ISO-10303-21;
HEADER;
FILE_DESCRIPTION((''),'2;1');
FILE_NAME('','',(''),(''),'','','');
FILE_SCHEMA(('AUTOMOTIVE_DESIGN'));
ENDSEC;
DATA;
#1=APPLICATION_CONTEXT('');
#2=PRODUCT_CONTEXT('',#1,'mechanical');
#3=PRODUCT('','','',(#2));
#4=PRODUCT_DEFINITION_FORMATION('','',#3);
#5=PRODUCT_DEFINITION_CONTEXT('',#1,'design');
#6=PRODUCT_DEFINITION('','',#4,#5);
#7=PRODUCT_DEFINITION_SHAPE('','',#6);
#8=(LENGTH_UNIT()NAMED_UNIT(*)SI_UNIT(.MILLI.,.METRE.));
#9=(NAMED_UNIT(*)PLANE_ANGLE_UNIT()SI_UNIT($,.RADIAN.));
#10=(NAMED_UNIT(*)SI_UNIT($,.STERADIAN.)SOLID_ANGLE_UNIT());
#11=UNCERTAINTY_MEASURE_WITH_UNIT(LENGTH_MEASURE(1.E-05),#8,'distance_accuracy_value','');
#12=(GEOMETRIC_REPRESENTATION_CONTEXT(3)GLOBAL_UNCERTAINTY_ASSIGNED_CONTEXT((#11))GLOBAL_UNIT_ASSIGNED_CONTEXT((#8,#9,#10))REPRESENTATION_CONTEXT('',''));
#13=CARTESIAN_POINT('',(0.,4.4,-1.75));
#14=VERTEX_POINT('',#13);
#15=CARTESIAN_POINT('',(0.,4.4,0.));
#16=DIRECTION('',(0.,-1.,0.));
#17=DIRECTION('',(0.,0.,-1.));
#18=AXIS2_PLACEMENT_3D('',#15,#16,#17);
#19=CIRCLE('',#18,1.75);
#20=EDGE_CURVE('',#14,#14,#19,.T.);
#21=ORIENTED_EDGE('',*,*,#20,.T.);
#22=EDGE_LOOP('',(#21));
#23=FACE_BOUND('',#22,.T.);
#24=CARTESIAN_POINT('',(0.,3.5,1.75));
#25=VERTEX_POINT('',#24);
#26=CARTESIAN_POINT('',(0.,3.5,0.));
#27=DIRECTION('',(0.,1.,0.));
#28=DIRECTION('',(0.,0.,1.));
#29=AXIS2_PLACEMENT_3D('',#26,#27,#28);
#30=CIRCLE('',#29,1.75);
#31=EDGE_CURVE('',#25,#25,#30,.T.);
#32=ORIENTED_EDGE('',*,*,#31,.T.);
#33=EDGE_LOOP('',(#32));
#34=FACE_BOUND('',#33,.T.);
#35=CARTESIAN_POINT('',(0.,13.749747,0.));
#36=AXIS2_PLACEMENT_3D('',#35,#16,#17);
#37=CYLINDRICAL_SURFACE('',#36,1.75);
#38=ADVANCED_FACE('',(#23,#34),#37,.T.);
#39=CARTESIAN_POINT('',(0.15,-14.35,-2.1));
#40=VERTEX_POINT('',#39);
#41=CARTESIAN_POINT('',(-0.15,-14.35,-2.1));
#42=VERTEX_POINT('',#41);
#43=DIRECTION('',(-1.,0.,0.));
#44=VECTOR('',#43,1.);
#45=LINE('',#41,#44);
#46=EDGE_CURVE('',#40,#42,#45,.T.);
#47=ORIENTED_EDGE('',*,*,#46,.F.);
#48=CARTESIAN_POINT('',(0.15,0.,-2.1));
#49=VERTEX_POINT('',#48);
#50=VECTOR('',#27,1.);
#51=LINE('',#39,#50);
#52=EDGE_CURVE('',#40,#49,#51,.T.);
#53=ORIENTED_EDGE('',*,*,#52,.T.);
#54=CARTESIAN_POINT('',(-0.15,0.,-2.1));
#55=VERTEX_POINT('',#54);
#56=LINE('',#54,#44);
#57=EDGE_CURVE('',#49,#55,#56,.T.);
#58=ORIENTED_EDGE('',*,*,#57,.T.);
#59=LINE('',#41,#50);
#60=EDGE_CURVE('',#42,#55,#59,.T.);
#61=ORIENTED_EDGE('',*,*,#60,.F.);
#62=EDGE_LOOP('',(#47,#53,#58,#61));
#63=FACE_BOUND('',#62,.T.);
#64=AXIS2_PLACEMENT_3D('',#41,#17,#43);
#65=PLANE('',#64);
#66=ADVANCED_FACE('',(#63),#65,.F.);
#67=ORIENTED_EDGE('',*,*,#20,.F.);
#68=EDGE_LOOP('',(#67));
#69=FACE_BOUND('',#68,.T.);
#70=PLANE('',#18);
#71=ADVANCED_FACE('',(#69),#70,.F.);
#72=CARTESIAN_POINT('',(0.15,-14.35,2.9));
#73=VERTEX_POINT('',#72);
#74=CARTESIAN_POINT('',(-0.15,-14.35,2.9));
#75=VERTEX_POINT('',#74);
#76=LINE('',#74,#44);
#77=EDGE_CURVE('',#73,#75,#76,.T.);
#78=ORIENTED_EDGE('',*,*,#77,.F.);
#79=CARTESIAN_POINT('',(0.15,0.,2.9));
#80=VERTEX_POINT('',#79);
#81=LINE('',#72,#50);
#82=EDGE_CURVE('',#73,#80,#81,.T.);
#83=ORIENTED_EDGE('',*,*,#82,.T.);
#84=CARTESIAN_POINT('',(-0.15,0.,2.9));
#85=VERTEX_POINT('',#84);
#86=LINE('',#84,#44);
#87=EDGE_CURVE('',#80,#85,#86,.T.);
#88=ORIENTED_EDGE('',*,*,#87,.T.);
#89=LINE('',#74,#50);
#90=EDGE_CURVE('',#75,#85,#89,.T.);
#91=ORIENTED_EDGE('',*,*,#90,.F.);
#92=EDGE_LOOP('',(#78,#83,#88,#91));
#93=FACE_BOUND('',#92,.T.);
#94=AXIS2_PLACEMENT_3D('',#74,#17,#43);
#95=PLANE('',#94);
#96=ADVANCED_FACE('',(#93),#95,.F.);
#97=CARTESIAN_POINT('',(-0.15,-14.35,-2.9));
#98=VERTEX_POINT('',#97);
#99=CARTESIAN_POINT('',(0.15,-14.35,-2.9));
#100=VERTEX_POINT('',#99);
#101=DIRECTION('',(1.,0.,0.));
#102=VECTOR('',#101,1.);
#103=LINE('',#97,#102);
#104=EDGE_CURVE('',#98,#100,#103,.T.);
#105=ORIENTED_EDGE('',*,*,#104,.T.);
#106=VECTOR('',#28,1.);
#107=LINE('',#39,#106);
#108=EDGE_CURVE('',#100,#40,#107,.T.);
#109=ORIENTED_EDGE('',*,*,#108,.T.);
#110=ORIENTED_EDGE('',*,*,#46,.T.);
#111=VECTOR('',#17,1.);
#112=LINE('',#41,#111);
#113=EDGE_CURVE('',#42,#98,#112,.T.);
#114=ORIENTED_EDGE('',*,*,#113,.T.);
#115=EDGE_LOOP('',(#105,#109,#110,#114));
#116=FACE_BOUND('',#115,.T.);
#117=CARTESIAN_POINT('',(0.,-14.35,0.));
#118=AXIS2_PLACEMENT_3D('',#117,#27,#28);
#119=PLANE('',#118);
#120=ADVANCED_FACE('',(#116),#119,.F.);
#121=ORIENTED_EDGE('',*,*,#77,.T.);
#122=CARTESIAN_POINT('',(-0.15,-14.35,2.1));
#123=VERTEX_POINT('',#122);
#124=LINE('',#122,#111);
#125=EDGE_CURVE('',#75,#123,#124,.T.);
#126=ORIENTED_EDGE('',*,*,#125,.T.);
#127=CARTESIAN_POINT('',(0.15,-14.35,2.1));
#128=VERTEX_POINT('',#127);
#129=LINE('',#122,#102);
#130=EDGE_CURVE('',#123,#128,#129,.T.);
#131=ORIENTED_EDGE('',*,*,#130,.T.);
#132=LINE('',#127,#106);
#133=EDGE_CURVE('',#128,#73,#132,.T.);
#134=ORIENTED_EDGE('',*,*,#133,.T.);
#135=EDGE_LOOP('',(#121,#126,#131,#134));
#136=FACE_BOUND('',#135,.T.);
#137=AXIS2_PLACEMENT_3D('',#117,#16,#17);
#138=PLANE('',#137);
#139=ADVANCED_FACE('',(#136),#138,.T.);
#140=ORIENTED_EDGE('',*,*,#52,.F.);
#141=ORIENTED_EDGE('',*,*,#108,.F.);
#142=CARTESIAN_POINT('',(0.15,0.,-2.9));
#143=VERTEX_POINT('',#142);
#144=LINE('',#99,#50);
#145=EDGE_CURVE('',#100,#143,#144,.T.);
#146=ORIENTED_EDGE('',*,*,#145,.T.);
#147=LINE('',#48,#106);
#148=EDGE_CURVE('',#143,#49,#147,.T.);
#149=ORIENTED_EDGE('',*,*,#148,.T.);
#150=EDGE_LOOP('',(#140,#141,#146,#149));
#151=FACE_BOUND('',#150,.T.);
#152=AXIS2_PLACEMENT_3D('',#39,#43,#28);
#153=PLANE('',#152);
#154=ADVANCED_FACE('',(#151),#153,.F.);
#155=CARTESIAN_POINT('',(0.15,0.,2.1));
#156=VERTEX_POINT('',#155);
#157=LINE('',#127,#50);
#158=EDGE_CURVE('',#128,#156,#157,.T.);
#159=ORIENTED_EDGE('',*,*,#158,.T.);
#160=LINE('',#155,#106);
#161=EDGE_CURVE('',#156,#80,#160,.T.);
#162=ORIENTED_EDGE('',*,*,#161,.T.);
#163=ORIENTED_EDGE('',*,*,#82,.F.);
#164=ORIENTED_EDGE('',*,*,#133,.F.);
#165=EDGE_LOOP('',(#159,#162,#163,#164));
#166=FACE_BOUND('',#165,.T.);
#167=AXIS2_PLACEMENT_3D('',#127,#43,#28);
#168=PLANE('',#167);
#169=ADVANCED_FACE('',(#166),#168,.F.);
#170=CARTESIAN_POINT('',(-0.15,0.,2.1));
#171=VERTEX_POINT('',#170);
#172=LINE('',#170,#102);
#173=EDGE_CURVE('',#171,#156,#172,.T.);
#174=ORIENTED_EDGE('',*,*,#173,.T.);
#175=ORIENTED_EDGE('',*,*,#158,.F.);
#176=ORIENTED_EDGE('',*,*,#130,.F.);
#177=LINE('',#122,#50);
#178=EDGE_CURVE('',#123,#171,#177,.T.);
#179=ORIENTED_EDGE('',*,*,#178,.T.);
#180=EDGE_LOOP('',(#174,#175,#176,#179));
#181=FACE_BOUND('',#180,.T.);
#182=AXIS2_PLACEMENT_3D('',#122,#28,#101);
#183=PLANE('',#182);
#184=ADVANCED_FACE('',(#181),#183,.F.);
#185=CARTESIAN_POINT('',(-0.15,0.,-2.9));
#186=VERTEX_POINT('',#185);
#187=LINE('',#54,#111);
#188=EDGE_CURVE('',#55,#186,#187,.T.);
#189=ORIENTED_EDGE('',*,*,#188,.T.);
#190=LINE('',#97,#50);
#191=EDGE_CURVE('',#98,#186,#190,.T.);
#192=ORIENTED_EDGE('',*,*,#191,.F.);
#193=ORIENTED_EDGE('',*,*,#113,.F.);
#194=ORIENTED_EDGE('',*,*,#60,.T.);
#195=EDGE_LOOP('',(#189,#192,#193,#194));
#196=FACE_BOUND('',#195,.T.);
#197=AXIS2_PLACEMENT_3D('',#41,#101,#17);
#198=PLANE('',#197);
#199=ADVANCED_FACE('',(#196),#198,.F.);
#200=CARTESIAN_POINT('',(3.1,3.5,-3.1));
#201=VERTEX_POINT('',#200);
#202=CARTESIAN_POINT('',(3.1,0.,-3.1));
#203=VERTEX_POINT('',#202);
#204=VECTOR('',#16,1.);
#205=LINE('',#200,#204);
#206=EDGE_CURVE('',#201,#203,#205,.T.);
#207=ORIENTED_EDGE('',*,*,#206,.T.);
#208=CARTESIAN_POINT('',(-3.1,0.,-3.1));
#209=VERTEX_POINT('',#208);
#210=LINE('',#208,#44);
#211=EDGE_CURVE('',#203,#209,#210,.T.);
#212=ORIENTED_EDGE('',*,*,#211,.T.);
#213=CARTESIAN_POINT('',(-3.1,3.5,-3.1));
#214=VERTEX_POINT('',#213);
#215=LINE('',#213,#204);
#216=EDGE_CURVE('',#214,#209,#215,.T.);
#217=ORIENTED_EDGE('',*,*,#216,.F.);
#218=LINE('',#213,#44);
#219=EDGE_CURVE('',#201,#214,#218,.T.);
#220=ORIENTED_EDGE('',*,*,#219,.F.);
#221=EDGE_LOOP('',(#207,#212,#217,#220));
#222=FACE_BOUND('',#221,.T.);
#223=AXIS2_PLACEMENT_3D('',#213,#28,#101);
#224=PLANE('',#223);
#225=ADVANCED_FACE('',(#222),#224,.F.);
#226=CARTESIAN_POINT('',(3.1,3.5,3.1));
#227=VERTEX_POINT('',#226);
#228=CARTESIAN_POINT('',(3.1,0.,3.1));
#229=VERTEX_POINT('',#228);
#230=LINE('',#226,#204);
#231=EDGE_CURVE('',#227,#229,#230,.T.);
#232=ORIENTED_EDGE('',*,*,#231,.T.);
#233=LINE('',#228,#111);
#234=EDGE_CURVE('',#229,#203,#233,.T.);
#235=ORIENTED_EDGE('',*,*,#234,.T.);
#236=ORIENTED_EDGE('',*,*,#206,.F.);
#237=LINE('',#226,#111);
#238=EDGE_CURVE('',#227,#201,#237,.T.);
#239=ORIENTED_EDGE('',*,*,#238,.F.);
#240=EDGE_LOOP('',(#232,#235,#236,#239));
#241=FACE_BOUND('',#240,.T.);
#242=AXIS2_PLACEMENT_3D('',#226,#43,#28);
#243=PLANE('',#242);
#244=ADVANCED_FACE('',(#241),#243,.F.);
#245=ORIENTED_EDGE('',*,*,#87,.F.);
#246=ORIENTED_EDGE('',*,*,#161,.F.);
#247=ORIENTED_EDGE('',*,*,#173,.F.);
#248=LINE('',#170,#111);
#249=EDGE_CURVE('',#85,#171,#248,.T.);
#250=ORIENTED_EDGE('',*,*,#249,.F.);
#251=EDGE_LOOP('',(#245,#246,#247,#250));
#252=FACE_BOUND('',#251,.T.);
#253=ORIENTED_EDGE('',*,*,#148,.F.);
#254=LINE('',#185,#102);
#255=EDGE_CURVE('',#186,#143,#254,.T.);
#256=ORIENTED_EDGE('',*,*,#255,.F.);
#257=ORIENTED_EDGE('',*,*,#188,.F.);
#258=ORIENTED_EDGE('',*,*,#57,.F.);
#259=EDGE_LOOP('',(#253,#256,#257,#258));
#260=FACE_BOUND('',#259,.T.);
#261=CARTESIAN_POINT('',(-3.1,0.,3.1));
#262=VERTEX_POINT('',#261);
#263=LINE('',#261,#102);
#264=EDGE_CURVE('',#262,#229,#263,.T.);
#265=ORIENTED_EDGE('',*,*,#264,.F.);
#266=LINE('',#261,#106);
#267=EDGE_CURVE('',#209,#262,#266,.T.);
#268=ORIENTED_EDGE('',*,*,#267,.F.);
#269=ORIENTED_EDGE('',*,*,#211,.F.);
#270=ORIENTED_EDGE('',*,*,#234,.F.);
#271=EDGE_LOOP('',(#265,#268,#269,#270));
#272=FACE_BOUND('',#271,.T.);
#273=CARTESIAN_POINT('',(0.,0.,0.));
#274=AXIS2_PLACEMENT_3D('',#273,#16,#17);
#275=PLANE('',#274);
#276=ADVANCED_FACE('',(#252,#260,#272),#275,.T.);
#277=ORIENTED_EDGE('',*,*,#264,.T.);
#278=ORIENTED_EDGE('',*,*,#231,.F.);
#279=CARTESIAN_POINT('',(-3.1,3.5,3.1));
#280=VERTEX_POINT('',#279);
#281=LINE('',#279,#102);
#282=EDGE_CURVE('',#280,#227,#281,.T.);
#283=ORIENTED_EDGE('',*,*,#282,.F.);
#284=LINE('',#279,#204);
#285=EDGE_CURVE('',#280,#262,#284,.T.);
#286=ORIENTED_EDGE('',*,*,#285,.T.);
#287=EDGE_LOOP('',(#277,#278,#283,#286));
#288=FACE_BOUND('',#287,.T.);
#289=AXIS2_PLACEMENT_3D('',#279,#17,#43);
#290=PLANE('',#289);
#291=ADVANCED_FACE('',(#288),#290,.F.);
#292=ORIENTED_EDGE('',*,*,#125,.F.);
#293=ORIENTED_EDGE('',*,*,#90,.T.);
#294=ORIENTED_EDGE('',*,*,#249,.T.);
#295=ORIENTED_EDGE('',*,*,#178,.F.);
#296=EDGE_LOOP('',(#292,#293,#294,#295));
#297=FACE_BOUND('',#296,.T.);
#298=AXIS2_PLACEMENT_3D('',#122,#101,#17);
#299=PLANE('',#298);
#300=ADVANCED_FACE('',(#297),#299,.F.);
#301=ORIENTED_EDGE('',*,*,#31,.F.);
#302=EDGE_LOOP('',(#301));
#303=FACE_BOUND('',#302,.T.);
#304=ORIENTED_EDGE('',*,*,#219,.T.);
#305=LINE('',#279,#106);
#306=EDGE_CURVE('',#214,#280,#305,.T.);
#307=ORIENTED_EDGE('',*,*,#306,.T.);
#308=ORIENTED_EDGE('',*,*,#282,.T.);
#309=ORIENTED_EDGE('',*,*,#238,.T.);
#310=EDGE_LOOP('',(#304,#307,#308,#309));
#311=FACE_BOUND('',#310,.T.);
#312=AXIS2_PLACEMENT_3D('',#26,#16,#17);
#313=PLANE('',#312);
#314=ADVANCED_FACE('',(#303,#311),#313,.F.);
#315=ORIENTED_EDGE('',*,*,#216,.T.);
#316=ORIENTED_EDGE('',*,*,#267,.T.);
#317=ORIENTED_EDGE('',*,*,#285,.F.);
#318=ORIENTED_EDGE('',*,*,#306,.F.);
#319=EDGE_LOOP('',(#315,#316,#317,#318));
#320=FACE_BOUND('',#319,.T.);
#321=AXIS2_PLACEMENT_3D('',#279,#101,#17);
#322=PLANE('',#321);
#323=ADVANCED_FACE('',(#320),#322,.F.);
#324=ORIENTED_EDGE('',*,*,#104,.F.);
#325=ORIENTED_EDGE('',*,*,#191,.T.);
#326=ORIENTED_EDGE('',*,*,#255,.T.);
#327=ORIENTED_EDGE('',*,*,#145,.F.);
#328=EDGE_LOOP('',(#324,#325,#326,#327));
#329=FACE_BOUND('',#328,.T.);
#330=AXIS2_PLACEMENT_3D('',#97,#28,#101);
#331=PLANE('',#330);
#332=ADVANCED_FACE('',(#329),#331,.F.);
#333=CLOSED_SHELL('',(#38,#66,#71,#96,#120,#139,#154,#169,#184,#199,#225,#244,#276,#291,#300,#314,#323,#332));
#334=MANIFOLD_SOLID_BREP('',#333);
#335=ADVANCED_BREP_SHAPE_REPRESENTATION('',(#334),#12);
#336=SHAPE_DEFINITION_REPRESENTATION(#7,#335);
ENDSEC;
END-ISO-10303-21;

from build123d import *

# Parameters (mm, degrees)
SKETCH_1_W      = 6.2
SKETCH_1_H      = 6.2
EXTRUDE_1_DEPTH = 3.5
SKETCH_2_R      = 1.75
EXTRUDE_2_DEPTH = 0.9
SKETCH_3_W      = 0.3
SKETCH_3_H      = 0.8
EXTRUDE_3_DEPTH = 14.35


with BuildPart() as part:
    # Эскиз1 → Бобышка-Вытянуть1 (new body)
    with BuildSketch(Plane(origin=(0, 0, 0), x_dir=(1, 0, 0), z_dir=(0, 1, 0))):
        Rectangle(SKETCH_1_W, SKETCH_1_H)
    extrude(amount=EXTRUDE_1_DEPTH)

    # Эскиз2 → Бобышка-Вытянуть2 (add)
    with BuildSketch(Plane(origin=(0, 3.5, 0), x_dir=(1, 0, 0), z_dir=(0, 1, 0))):
        with Locations(Location((0, 0, 0), (0, 0, 90))):
            Circle(SKETCH_2_R)
    extrude(amount=EXTRUDE_2_DEPTH)

    # Эскиз3 → Бобышка-Вытянуть3 (add)
    with BuildSketch(Plane.XZ):
        with Locations((0, 2.5)):
            Rectangle(SKETCH_3_W, SKETCH_3_H)
        with Locations((0, -2.5)):
            Rectangle(SKETCH_3_W, SKETCH_3_H)
    extrude(amount=EXTRUDE_3_DEPTH)


solid = part.part
